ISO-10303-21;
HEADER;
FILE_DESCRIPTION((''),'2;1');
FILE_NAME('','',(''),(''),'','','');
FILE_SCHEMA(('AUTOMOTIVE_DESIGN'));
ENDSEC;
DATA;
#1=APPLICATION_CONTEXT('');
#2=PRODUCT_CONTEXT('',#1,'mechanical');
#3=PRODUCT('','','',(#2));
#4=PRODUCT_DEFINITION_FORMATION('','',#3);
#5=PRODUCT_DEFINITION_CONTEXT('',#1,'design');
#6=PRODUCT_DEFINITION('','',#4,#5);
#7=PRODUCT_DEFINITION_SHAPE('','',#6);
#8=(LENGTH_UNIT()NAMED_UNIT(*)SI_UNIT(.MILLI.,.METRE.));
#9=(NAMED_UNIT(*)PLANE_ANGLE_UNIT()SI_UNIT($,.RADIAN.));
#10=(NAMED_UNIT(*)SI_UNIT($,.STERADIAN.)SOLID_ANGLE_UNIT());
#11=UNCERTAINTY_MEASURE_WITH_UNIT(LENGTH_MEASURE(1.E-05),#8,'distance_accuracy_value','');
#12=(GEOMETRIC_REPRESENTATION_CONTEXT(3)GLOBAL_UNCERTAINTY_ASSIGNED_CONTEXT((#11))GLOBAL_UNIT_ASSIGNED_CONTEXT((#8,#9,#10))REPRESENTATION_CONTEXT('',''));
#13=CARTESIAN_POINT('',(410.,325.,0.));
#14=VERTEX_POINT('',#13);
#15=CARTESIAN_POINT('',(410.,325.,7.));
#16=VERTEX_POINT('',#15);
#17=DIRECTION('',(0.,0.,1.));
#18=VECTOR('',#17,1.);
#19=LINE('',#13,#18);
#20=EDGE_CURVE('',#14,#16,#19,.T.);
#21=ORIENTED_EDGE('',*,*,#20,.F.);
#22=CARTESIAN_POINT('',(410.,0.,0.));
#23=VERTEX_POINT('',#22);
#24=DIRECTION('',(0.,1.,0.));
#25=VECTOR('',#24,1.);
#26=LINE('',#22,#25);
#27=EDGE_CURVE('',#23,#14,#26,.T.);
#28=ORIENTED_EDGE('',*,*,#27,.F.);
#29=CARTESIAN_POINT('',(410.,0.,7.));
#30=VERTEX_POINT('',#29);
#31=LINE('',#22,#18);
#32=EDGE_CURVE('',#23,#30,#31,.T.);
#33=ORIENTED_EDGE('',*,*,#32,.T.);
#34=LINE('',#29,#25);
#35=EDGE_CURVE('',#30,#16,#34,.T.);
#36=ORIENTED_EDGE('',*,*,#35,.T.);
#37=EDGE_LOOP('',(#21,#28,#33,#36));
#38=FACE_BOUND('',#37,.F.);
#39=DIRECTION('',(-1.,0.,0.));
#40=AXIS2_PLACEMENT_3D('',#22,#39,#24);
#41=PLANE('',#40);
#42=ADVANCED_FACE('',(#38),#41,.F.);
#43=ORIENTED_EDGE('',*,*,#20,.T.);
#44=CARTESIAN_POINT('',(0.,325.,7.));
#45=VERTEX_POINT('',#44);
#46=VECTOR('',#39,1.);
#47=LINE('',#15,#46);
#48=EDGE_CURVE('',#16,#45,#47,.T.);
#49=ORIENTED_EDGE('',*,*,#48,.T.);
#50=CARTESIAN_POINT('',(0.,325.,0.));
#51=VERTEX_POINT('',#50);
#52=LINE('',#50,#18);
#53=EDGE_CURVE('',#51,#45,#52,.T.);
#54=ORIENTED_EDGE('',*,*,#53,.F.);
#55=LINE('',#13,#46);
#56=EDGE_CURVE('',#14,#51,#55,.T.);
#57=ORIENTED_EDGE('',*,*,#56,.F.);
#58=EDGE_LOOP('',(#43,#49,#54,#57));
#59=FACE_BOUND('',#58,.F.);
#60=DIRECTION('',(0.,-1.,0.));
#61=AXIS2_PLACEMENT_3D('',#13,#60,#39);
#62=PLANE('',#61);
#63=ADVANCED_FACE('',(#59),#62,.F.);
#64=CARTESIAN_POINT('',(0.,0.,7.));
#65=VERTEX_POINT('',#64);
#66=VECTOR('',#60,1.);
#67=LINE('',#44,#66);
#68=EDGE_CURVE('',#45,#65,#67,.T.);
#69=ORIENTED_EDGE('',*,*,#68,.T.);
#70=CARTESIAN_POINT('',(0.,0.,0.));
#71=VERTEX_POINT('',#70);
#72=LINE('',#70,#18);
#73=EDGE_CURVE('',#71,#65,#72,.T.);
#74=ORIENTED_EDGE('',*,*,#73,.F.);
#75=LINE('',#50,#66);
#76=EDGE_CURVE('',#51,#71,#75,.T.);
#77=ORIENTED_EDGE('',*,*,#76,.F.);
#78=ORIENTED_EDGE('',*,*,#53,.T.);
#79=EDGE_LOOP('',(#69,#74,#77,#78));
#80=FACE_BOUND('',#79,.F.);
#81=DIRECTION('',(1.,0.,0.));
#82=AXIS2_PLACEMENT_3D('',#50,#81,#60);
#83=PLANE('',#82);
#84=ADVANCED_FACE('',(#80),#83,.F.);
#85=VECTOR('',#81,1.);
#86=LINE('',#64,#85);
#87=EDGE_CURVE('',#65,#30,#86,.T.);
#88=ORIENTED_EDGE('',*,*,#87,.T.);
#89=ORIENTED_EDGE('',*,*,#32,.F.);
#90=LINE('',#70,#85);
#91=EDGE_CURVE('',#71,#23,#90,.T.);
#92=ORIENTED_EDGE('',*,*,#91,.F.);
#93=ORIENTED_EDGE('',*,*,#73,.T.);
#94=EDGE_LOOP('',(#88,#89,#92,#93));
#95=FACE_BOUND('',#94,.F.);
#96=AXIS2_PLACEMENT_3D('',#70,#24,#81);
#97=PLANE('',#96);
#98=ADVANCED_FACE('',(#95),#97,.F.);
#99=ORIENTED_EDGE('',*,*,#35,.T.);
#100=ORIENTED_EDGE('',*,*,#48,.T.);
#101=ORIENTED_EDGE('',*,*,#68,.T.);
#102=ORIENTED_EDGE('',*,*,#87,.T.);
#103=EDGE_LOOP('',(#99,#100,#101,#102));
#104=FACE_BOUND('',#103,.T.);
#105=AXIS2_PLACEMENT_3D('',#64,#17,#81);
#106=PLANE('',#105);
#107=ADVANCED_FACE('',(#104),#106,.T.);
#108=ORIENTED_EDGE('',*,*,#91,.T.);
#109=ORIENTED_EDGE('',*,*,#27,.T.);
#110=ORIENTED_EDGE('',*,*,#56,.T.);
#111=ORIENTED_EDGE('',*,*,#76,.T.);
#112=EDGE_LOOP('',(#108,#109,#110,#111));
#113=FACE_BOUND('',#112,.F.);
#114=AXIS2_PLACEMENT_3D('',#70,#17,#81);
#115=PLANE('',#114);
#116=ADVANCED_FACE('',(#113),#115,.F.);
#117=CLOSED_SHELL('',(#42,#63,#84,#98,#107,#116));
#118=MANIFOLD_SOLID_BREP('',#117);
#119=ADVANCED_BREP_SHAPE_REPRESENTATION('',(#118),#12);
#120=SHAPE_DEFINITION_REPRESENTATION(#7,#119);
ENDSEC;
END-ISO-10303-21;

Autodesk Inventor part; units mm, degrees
ref_plane "YZ Plane" through (0, 0, 0) normal (1, 0, 0) x (0, 1, 0)
ref_plane "XZ Plane" through (0, 0, 0) normal (0, 1, 0) x (-1, 0, 0)
ref_plane "XY Plane" through (0, 0, 0) normal (0, 0, 1) x (1, 0, 0)
sketch "Sketch1" plane through (0, 0, 0) normal (0, 0, 1) x (1, 0, 0)
  point P0 (0, 0)
sketch "Sketch2" plane through (0, 0, 0) normal (0, 0, 1) x (1, 0, 0)
  line L0 (0, 0) -> (410, 0)
  line L1 (410, 0) -> (410, 325)
  line L2 (410, 325) -> (0, 325)
  line L3 (0, 325) -> (0, 0)
  dimension "d0" = 410
  dimension "d1" = 325
extrude "Extrusion1" add sketch "Sketch2" along normal blind 7
properties part number "lateral" material "Polycarbonate, Clear"
